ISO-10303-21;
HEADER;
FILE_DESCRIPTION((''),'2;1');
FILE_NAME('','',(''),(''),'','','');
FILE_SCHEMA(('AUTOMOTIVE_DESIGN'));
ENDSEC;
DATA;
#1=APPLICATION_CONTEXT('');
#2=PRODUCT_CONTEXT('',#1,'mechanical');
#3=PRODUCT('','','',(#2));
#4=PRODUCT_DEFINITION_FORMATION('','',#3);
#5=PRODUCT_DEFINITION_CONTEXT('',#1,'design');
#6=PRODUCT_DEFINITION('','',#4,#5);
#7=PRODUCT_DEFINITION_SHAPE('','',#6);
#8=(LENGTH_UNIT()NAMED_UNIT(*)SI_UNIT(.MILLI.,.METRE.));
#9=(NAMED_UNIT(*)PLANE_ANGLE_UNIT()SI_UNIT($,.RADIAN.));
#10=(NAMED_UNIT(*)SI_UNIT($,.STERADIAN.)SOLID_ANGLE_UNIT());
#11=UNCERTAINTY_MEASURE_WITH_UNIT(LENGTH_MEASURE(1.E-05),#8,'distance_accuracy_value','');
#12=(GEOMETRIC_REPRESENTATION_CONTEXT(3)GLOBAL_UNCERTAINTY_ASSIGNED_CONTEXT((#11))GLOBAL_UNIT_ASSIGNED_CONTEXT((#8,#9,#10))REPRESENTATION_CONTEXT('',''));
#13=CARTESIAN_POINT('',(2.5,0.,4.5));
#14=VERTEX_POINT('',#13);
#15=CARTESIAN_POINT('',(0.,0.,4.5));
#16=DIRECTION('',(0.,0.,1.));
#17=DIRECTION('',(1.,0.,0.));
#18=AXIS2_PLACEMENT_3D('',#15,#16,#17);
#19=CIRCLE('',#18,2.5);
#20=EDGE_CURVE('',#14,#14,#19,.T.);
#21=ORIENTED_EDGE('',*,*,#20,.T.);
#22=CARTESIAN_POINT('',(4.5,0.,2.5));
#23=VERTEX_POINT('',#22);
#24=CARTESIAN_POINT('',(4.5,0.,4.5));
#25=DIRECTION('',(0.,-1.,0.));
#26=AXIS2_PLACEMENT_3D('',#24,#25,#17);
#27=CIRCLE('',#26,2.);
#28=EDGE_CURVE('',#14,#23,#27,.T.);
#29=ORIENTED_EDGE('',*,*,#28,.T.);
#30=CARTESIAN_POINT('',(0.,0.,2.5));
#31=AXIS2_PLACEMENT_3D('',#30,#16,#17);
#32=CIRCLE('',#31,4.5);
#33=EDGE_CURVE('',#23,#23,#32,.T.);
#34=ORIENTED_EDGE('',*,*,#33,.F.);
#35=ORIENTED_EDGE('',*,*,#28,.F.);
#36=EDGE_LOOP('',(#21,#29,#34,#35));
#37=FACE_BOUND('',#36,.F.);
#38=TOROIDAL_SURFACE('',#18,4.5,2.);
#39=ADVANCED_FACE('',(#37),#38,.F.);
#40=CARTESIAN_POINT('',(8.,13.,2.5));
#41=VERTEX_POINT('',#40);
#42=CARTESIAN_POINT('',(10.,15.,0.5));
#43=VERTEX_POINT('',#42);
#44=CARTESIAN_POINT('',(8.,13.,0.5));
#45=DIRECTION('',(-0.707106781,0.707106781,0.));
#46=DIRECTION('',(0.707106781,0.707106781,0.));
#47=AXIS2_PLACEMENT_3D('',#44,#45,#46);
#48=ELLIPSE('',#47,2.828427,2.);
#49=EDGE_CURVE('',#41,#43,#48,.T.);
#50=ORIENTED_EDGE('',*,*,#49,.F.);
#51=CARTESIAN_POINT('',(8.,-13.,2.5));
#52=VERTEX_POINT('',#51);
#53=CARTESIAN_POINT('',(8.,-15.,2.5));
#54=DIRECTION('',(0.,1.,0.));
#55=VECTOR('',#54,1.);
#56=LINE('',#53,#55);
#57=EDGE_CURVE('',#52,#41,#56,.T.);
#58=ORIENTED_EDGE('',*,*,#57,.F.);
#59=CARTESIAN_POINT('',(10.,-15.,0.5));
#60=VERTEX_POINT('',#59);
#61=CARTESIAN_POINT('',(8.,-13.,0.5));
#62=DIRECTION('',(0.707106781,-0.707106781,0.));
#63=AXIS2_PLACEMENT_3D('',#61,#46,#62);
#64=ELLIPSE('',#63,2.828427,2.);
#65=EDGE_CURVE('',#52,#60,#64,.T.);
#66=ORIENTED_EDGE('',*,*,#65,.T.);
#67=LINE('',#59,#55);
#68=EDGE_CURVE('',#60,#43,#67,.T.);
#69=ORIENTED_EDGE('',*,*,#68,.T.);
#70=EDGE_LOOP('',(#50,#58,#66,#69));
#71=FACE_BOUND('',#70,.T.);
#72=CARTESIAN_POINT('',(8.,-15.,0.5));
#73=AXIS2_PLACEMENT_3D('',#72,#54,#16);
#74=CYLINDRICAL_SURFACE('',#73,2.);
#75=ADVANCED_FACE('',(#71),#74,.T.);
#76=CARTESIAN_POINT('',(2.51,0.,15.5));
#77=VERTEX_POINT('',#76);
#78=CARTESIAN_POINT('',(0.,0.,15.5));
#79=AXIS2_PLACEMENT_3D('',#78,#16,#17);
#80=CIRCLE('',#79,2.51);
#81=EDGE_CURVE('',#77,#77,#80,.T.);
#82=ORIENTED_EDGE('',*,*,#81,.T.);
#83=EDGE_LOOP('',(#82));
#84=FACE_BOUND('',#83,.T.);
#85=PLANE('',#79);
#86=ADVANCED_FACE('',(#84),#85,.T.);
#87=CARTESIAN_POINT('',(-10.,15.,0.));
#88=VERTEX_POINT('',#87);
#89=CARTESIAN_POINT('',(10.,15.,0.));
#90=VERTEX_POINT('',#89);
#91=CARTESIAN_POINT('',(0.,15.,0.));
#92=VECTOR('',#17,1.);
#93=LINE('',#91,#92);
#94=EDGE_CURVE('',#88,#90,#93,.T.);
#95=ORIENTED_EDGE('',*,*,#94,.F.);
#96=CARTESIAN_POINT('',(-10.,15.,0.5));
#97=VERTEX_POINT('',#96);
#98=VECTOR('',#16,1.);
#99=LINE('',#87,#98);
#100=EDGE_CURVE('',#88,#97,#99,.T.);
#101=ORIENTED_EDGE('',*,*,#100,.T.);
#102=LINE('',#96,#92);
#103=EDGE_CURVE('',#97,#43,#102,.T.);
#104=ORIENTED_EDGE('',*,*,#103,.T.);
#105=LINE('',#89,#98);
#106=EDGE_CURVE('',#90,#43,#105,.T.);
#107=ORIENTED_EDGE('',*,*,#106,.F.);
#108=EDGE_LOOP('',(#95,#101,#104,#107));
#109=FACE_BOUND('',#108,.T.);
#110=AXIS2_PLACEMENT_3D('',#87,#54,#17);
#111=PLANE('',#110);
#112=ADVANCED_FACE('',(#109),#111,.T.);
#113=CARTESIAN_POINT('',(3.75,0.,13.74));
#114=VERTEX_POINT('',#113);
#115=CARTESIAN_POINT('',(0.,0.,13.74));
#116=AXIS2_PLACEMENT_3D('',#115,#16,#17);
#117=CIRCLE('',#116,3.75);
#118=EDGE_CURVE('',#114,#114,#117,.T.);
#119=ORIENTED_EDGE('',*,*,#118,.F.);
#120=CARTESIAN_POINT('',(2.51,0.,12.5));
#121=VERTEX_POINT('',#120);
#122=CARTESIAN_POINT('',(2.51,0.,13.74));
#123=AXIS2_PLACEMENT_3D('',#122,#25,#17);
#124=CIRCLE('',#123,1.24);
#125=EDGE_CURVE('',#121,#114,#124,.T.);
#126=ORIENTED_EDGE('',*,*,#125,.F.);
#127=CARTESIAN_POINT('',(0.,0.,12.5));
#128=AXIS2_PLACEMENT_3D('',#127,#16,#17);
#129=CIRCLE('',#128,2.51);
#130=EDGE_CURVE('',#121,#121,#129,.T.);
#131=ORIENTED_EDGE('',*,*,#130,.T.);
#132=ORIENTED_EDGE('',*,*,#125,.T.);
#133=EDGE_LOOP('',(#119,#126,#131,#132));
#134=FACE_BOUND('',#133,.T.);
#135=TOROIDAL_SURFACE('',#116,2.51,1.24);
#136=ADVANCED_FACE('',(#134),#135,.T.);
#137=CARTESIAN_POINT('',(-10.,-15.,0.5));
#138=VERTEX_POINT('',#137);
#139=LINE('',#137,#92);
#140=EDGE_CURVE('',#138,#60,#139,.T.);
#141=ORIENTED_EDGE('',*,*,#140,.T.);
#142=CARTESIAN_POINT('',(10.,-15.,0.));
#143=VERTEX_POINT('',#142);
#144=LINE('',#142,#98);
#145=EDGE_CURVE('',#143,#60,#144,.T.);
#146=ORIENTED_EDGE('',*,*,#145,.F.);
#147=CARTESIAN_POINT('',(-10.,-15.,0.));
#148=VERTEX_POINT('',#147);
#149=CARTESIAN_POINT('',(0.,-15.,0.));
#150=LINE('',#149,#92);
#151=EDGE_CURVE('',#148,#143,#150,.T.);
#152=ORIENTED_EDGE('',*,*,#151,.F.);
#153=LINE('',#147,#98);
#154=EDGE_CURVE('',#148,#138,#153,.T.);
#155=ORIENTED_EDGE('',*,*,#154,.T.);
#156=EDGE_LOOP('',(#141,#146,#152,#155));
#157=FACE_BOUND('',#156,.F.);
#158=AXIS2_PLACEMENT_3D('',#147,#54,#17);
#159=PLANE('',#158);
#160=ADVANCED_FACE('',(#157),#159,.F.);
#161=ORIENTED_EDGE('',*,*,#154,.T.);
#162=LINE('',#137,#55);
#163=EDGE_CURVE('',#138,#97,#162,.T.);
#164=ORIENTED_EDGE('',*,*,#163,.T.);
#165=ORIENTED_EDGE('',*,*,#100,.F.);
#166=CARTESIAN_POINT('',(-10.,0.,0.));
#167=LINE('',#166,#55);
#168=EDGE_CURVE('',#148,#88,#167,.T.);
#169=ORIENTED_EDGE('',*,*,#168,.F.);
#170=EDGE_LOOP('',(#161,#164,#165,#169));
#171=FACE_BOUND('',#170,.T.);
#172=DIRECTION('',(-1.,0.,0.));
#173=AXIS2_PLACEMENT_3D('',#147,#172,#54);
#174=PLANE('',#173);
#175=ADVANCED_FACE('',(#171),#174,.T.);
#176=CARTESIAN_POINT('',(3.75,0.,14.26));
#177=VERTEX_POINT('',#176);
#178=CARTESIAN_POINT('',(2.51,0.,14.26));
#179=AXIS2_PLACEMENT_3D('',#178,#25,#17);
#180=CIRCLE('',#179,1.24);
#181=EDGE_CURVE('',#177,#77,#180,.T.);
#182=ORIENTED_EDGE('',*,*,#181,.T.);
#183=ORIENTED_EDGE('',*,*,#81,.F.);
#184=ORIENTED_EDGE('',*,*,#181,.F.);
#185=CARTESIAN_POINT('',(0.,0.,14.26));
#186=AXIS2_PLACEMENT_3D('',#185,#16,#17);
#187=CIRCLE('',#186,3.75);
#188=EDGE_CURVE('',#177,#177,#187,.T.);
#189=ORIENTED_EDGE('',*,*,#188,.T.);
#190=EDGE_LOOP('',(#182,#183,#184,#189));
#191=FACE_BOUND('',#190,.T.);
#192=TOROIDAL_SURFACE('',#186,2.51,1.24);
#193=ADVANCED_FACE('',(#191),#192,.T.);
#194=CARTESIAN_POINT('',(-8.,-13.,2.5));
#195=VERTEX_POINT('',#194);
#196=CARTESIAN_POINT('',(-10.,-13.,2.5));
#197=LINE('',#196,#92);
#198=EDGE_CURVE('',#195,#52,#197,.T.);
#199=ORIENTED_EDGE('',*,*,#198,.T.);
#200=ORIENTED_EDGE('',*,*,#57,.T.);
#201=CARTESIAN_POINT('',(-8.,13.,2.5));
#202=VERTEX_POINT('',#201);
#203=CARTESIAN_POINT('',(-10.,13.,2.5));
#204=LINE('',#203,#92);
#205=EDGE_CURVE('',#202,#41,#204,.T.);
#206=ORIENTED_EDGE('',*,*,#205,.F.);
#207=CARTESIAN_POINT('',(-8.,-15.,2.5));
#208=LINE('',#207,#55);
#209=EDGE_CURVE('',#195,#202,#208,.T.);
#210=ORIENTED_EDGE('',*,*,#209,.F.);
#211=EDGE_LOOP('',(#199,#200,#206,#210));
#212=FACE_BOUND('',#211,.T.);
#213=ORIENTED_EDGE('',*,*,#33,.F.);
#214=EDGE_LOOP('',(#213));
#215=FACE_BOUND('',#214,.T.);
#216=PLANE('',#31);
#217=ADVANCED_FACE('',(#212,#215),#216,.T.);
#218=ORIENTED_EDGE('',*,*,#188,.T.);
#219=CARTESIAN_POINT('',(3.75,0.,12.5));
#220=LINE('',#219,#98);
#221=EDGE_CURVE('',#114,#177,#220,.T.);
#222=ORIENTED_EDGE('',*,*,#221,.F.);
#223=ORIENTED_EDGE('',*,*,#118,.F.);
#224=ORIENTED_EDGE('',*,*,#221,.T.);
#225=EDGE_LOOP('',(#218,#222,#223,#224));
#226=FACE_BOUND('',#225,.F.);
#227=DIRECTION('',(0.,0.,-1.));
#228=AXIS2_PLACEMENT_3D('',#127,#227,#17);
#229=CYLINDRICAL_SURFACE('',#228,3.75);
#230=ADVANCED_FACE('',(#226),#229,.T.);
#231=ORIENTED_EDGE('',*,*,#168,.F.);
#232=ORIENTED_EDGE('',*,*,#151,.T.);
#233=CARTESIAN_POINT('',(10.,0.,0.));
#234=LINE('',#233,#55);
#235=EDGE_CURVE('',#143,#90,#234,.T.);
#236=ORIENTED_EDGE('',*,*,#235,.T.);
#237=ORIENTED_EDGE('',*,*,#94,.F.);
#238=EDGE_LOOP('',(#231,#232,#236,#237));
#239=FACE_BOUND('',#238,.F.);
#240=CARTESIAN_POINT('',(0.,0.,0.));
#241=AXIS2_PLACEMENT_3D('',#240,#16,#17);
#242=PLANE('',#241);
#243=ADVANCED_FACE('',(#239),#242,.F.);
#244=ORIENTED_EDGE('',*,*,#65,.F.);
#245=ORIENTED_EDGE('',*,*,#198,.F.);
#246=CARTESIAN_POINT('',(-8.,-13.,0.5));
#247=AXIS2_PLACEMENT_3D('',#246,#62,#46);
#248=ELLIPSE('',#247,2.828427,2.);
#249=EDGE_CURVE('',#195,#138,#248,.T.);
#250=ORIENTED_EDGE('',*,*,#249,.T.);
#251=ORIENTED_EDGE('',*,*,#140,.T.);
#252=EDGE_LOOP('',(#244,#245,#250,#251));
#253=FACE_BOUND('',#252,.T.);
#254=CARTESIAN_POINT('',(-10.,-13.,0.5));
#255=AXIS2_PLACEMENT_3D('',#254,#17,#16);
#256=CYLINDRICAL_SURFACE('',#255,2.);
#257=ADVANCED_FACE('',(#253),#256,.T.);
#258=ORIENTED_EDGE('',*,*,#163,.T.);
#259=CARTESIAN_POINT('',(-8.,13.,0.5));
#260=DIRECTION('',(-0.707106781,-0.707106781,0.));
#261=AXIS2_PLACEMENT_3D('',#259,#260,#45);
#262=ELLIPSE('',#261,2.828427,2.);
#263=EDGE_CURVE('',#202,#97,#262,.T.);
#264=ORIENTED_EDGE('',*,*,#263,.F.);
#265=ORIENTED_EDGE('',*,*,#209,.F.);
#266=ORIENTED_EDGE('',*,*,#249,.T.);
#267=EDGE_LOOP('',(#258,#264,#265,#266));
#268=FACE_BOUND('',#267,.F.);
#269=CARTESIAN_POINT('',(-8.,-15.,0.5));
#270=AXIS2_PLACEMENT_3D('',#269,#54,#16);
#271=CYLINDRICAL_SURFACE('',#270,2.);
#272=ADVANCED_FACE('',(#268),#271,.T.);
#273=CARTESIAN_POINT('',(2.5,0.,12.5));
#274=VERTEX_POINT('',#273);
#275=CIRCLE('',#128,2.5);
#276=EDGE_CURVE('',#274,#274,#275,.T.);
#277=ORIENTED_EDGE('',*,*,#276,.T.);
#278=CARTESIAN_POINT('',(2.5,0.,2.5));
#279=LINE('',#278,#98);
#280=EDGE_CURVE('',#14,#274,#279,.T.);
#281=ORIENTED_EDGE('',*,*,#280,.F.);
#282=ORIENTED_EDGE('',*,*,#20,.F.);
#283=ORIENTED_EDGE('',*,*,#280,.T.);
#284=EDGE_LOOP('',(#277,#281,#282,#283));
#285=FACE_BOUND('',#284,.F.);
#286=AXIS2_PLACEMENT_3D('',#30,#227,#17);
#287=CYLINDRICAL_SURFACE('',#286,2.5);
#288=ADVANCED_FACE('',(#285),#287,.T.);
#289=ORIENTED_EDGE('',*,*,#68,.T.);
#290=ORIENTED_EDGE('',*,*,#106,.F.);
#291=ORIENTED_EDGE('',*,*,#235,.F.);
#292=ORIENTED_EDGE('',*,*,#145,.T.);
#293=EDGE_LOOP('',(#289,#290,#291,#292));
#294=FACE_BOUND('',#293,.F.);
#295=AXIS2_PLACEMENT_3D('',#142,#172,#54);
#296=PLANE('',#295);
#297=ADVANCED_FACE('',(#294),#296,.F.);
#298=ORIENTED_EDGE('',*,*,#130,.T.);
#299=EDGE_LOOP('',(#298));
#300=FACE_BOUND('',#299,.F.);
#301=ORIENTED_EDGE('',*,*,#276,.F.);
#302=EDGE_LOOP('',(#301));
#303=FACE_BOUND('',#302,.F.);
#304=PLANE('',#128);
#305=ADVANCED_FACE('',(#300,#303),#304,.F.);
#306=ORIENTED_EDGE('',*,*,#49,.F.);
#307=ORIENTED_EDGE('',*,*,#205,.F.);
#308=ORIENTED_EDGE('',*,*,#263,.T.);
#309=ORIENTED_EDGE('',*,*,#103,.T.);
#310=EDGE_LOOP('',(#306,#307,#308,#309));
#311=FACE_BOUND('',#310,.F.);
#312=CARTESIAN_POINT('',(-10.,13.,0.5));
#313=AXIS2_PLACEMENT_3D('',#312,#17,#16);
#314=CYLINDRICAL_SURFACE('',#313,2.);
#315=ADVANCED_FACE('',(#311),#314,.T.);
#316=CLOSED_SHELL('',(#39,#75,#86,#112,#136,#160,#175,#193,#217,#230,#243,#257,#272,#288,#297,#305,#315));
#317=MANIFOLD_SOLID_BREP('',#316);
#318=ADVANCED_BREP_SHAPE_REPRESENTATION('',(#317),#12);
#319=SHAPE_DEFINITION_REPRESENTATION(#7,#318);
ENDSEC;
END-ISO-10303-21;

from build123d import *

# Parameters (mm, degrees)
SKETCH_W     = 20
SKETCH_H     = 30
PAD_DEPTH    = 2.5
SKETCH001_R  = 2.5
PAD001_DEPTH = 10
SKETCH002_R  = 3.75
PAD002_DEPTH = 3
FILLET_R     = 2
FILLET001_R  = 1.24


with BuildPart() as part:
    # Sketch → Pad (new body)
    with BuildSketch(Plane.XY):
        Rectangle(SKETCH_W, SKETCH_H)
    extrude(amount=PAD_DEPTH)

    # Sketch001 (on Face6 of Pad) → Pad001 (join)
    with BuildSketch(Plane.XY.offset(2.5)):
        Circle(SKETCH001_R)
    extrude(amount=PAD001_DEPTH)

    # Sketch002 (on Face8 of Pad001) → Pad002 (join)
    with BuildSketch(Plane.XY.offset(12.5)):
        Circle(SKETCH002_R)
    extrude(amount=PAD002_DEPTH)

    # Fillet
    fillet_edges = [part.edges().sort_by_distance(p)[0] for p in [
        (-10, 0, 2.5),
        (0, -15, 2.5),
        (10, 0, 2.5),
        (0, 15, 2.5),
        (-2.5, 0, 2.5),
    ]]
    fillet(fillet_edges, radius=FILLET_R)

    # Fillet001
    fillet001_edges = [part.edges().sort_by_distance(p)[0] for p in [
        (-3.75, 0, 12.5),
        (-3.75, 0, 15.5),
    ]]
    fillet(fillet001_edges, radius=FILLET001_R)


solid = part.part
